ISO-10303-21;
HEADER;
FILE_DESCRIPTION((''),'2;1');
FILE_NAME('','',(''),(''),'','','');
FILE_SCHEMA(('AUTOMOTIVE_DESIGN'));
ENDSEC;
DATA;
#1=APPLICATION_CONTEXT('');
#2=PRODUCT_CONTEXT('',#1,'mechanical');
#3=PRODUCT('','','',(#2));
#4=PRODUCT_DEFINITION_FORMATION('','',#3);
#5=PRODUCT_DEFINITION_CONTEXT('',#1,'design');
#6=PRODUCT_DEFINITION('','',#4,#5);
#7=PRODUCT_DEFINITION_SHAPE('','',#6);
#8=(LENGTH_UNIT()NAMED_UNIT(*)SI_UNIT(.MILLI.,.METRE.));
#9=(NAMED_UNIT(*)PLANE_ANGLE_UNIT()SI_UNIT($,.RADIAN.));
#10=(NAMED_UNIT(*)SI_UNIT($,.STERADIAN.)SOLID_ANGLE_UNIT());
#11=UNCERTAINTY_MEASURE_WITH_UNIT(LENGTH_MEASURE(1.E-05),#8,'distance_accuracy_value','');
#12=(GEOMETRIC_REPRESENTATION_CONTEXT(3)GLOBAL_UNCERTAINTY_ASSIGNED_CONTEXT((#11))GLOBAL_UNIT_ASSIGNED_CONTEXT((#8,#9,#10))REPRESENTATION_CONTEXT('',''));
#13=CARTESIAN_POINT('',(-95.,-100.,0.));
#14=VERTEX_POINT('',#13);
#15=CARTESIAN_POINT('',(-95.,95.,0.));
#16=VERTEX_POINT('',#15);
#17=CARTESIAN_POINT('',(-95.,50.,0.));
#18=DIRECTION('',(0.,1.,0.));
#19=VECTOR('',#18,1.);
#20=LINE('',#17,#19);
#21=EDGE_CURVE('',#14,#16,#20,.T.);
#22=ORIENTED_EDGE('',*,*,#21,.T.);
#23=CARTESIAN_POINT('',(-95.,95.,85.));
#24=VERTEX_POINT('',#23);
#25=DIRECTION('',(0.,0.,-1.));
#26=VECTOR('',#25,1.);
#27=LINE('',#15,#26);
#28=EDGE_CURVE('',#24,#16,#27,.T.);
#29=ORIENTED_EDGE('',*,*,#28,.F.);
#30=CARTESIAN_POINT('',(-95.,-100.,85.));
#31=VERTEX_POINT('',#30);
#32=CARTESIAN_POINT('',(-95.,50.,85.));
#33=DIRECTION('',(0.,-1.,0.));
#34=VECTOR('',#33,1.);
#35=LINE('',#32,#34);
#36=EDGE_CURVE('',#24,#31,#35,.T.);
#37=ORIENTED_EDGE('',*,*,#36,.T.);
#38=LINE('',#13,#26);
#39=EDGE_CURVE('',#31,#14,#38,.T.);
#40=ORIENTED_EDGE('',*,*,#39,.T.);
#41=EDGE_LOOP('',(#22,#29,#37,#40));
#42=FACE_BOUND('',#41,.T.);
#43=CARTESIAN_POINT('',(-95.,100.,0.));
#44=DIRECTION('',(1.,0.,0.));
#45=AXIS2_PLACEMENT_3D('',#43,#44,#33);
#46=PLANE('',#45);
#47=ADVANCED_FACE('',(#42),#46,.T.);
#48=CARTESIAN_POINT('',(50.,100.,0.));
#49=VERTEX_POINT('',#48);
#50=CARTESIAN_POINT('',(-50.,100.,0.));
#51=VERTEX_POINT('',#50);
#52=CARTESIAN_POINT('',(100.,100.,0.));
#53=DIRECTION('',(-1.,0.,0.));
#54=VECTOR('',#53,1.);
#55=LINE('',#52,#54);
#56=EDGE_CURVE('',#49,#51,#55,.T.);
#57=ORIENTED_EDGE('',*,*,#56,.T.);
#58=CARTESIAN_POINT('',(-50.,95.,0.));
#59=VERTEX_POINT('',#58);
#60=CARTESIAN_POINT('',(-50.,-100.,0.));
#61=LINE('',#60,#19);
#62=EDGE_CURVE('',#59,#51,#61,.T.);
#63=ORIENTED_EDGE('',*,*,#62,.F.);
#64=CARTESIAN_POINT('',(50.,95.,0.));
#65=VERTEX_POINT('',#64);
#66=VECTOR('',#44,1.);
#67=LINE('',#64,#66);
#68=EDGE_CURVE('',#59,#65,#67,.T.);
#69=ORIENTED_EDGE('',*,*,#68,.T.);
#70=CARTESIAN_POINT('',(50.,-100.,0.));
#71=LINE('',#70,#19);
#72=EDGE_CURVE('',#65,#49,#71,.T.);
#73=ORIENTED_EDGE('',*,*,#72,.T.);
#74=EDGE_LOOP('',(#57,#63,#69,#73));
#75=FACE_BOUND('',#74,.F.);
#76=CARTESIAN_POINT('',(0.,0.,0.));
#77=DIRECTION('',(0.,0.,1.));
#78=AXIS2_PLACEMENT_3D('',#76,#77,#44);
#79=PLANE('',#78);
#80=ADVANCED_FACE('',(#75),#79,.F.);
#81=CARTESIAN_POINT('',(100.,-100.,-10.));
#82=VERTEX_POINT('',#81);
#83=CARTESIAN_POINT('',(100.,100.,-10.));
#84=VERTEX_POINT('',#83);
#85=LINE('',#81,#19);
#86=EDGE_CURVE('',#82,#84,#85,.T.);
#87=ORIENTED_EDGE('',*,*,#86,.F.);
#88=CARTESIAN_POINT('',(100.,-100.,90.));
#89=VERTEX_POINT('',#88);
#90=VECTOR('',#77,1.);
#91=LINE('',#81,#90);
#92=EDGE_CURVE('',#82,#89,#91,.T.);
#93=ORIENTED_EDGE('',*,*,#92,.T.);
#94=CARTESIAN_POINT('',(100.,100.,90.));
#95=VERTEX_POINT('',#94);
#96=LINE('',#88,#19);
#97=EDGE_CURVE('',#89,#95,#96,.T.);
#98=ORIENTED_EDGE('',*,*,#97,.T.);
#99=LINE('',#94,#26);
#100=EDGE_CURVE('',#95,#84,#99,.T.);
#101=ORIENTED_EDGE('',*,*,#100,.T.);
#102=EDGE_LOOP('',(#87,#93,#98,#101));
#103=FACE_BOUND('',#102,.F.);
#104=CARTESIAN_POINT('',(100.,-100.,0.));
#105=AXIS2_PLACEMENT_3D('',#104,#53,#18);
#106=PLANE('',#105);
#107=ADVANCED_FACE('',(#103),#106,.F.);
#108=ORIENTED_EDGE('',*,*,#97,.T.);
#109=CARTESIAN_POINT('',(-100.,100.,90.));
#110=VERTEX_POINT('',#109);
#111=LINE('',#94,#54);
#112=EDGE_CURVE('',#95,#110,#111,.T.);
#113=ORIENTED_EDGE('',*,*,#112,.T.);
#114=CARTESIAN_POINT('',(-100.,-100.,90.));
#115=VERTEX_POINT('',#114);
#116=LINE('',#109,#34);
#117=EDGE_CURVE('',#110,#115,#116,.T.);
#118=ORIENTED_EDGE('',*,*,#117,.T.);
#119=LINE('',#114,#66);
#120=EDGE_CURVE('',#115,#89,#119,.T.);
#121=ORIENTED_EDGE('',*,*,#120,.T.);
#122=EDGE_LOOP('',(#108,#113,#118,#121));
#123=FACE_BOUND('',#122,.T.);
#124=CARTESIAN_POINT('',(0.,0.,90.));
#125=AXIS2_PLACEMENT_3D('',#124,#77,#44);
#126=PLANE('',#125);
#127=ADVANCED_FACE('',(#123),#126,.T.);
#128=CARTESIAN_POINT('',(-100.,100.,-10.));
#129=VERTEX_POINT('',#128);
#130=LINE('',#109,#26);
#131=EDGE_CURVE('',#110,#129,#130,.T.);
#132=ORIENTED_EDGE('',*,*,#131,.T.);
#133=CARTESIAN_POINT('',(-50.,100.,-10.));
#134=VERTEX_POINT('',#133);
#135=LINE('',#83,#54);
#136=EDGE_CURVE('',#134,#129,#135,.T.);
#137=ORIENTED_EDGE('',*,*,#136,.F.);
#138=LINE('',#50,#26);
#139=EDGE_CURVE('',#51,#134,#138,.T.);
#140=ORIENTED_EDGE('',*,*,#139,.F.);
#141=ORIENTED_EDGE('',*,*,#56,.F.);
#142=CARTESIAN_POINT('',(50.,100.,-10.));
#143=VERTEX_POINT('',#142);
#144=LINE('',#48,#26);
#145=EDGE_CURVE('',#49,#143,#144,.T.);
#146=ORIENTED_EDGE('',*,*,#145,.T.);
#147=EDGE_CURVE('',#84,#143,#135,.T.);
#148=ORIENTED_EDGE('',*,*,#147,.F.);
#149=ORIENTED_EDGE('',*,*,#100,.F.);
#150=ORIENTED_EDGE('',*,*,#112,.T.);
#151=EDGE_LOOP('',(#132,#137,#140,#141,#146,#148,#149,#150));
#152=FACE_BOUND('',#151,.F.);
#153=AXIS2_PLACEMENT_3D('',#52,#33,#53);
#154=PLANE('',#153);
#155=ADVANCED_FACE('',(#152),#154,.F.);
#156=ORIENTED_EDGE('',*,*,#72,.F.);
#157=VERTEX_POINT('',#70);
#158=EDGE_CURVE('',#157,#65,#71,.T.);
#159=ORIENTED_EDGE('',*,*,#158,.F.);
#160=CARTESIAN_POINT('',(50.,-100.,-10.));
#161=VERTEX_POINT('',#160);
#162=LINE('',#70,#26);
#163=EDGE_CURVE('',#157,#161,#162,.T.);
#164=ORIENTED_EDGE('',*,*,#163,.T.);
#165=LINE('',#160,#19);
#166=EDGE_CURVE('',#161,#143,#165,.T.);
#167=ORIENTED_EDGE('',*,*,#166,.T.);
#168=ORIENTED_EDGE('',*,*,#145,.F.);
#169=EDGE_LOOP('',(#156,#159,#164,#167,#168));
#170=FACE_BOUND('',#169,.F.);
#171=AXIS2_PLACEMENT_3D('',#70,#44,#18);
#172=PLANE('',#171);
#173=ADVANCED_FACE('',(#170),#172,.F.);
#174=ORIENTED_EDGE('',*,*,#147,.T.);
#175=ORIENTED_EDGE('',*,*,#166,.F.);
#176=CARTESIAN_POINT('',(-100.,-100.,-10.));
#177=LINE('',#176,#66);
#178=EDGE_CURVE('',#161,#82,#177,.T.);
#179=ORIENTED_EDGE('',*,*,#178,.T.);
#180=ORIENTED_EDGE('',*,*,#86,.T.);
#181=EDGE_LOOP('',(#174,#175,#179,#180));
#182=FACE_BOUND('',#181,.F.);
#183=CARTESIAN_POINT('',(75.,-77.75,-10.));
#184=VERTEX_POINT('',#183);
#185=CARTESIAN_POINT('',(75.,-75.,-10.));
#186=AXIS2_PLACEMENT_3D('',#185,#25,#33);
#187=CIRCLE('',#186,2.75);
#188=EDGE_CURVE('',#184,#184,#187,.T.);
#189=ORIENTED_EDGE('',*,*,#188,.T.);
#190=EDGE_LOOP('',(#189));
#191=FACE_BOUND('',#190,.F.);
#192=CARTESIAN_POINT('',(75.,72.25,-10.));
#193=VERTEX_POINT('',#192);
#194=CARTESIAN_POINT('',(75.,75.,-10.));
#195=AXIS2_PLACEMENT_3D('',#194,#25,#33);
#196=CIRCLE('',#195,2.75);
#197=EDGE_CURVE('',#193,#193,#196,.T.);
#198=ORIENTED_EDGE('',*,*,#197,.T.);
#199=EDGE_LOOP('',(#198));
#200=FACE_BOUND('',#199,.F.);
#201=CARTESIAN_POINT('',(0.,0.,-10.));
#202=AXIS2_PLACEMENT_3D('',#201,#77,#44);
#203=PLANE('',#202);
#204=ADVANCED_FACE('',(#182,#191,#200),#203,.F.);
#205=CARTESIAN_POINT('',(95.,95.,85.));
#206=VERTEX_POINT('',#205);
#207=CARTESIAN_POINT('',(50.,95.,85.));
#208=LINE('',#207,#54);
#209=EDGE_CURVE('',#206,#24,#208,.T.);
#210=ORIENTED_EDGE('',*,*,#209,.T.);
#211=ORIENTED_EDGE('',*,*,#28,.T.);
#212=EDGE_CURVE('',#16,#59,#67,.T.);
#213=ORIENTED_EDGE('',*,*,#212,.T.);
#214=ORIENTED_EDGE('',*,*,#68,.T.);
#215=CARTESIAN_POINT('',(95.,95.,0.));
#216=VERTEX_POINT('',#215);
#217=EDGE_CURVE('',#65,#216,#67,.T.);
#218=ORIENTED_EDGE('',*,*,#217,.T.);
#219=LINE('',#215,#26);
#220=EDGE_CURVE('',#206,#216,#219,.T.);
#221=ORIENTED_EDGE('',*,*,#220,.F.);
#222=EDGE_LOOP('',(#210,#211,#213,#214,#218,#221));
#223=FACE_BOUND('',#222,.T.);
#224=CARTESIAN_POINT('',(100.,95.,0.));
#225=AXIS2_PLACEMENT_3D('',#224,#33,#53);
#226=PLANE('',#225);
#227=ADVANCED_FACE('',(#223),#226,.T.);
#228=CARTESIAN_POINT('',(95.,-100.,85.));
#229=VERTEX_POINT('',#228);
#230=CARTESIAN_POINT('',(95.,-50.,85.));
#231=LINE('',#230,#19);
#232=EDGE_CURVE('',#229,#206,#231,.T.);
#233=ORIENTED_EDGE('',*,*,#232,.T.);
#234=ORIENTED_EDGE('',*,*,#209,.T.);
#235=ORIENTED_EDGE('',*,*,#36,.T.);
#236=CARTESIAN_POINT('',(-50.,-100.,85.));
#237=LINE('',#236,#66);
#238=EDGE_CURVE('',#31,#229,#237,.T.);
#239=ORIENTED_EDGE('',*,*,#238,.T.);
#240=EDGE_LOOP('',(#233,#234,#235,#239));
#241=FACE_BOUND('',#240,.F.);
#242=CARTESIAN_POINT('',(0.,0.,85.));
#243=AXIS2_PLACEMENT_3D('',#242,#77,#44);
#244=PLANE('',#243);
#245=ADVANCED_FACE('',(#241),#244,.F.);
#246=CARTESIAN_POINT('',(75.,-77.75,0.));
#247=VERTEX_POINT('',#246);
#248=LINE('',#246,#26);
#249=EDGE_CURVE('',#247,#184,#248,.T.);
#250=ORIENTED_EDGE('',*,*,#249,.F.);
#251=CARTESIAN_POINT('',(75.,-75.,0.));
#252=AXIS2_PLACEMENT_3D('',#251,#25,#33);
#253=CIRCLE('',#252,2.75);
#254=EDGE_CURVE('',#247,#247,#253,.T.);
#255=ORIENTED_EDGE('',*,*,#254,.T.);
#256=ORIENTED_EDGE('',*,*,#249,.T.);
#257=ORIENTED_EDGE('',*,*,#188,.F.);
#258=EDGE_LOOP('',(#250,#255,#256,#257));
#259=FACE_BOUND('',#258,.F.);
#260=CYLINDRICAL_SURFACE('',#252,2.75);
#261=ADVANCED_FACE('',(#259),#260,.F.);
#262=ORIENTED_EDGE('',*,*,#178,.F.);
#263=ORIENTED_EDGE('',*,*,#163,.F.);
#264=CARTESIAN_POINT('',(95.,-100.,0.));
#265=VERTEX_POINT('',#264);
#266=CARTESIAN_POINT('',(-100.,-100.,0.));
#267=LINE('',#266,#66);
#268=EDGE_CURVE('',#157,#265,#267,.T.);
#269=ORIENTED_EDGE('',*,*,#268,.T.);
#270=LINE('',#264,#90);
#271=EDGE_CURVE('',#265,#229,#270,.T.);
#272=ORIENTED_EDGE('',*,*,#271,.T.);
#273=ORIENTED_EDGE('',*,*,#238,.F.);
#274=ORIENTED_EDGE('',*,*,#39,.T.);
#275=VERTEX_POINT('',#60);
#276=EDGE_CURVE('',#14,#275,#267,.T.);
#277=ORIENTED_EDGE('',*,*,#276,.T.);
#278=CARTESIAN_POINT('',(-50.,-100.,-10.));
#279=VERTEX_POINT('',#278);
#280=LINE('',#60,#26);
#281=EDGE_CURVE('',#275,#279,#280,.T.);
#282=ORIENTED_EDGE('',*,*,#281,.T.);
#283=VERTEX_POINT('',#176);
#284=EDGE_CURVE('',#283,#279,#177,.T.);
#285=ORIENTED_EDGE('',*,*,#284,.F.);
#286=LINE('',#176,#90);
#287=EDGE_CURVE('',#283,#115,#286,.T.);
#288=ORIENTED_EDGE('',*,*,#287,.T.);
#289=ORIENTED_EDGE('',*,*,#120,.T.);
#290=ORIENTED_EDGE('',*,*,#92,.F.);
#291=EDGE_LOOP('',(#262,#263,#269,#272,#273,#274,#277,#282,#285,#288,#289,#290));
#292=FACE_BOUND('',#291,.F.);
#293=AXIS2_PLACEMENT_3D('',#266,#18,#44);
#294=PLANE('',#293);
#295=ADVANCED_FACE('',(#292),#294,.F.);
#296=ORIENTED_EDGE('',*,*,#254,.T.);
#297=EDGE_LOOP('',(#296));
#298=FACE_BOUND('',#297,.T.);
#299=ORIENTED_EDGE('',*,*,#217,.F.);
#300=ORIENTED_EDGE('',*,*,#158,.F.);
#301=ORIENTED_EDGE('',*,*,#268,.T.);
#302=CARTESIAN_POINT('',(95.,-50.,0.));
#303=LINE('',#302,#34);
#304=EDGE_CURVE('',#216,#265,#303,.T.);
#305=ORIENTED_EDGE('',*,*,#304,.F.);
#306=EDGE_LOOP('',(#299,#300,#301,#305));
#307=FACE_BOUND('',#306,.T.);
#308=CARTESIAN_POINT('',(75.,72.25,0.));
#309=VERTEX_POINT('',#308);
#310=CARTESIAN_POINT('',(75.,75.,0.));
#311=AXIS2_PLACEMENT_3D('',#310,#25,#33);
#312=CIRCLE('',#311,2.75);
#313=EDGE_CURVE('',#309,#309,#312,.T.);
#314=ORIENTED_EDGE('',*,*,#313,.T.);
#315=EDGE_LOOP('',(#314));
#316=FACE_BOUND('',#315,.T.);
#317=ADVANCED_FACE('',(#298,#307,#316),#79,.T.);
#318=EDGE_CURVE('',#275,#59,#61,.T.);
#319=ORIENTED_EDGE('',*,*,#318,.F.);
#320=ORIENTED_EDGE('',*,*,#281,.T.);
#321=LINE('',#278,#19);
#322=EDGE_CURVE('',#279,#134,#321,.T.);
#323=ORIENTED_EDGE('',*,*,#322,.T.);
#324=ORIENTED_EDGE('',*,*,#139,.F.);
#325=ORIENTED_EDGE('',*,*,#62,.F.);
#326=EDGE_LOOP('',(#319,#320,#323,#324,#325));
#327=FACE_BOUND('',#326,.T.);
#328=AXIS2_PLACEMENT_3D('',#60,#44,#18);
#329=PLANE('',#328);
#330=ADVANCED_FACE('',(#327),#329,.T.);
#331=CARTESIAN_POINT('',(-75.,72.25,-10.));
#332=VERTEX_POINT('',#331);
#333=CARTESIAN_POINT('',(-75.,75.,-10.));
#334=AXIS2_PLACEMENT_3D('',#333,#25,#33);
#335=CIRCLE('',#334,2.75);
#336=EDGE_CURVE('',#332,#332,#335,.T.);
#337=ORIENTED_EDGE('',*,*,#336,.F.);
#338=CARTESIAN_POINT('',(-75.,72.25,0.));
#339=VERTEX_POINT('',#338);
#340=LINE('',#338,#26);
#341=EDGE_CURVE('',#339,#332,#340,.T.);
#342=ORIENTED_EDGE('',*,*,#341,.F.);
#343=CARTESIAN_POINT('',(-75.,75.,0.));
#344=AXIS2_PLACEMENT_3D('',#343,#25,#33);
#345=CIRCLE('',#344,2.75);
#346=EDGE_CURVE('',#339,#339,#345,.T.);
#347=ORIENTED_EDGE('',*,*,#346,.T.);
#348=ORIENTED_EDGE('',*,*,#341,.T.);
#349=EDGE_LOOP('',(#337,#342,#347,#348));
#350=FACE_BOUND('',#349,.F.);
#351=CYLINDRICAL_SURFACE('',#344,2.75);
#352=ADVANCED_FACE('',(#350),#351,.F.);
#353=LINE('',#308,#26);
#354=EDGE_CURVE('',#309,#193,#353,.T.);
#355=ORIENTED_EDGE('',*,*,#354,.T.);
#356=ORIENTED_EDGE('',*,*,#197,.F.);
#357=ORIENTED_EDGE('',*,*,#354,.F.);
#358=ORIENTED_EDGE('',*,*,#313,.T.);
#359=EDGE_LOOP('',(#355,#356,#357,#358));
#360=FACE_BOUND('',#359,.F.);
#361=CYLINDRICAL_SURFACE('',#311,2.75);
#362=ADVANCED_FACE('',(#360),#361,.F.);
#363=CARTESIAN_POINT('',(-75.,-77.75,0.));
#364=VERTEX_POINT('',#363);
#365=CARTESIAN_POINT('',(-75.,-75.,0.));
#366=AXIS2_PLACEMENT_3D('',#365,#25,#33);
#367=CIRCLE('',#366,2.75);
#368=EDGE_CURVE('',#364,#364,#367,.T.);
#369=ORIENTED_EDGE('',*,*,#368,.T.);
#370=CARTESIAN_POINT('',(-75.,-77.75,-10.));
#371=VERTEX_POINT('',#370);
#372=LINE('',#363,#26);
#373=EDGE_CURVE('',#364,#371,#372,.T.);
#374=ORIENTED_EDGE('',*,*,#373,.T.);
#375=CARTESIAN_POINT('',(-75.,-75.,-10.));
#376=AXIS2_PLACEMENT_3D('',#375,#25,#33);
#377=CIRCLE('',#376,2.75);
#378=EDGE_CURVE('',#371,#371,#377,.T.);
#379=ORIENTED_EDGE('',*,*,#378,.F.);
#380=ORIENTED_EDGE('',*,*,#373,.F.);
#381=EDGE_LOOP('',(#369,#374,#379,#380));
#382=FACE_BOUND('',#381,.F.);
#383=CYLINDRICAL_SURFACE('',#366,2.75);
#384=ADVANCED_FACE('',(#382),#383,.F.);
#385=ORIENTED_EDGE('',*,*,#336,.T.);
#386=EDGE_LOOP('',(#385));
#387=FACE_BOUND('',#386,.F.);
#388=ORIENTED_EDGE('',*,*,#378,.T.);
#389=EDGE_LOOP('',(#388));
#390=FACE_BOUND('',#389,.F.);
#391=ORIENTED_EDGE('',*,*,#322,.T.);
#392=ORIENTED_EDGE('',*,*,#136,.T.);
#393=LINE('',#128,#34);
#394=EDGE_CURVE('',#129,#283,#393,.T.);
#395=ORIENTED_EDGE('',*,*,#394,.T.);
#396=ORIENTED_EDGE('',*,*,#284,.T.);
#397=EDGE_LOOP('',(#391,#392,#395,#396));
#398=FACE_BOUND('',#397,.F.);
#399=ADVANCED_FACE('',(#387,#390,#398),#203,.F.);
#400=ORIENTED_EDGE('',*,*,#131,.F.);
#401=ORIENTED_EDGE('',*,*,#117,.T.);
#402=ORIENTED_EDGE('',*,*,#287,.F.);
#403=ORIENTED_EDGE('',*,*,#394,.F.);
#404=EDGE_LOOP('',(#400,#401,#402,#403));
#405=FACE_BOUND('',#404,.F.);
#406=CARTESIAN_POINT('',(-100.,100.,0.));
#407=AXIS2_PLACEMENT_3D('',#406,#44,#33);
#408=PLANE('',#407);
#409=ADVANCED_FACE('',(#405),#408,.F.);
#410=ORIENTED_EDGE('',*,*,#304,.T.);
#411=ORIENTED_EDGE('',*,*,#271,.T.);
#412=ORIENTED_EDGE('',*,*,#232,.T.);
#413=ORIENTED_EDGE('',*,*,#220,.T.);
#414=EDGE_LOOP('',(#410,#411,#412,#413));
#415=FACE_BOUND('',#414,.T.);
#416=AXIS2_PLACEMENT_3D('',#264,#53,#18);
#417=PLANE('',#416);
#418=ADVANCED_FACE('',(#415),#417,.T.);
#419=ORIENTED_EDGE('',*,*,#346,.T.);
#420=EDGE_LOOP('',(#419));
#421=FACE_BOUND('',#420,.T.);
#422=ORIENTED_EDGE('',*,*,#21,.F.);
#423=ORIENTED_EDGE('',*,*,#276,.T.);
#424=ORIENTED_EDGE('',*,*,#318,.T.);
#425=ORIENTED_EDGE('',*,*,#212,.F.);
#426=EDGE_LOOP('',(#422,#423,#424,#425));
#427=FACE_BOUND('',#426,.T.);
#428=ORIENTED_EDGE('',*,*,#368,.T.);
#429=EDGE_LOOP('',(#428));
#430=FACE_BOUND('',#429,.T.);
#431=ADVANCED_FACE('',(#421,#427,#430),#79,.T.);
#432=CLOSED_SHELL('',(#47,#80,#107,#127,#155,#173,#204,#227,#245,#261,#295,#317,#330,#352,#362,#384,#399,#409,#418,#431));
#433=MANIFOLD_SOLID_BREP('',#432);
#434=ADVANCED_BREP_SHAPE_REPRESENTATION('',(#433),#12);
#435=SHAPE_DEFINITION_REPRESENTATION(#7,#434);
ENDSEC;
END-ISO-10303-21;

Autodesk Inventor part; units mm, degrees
ref_plane "YZ Plane" through (0, 0, 0) normal (1, 0, 0) x (0, 1, 0)
ref_plane "XZ Plane" through (0, 0, 0) normal (0, 1, 0) x (-1, 0, 0)
ref_plane "XY Plane" through (0, 0, 0) normal (0, 0, 1) x (1, 0, 0)
sketch "Sketch3" plane through (0, 0, 0) normal (0, 0, 1) x (1, 0, 0)
  line L0 (-100, -100) -> (100, -100)
  line L1 (100, -100) -> (100, 100)
  line L2 (100, 100) -> (-100, 100)
  line L3 (-100, 100) -> (-100, -100)
  line L4 (-100, -100) -> (100, 100) construction
  line L5 (100, -100) -> (-100, 100) construction
  point P0 (0, 0)
  dimension "d8" = 200
  dimension "d9" = 200
extrude "Extrusion2" add sketch "Sketch3" along normal blind 90
shell "Shell2" thickness 5 removed faces 2 at (-33.3333, -100, 30) at (-33.3333, -33.3333, 0)
sketch "Sketch4" plane through (0, 0, 0) normal (0, 0, 1) x (1, 0, 0)
  line L0 (100, -100) -> (100, 100) construction
  line L1 (100, 100) -> (-100, 100) construction
  line L2 (-100, 100) -> (-100, -100) construction
  line L3 (-100, -100) -> (100, -100) construction
  line L4 (-100, 100) -> (100, 100)
  line L5 (100, 100) -> (100, -100)
  line L6 (-100, -100) -> (-100, 100)
  line L7 (0, -140) -> (0, 140) projected
  point P0 (0, 0)
  point P1 (-75, -75)
  point P2 (75, -75)
  point P3 (-75, 75)
  point P4 (75, 75)
  dimension "d13" = 150
  dimension "d14" = 25
  dimension "d15" = 150
sketch "Sketch5" plane through (0, 0, 0) normal (0, 0, 1) x (1, 0, 0)
  line L0 (-100, 100) -> (-100, -100) projected
  line L1 (100, 100) -> (-100, 100)
  line L2 (-100, 100) -> (-100, -100)
  line L3 (100, -100) -> (100, 100)
  line L4 (-100, -100) -> (100, -100) projected
  line L5 (100, -100) -> (50, -100)
  line L6 (50, -100) -> (50, 100)
  line L7 (-50, -100) -> (-50, 100)
  point P0 (0, 0)
  dimension "d16" = 50
  dimension "d17" = 50
extrude "Extrusion3" add sketch "Sketch5" against normal blind 10 contours L1 L7 L4 L0 | L1 L3 L4 L6
hole "Hole1" at (-75, -75, 0) at (75, -75, 0) at (-75, 75, 0) at (75, 75, 0) direction (0, 0, -1) diameter 5.5 end through all clearance for "Countersunk Flat Head Screw ISO 2009/7046" size "M5" standard "ISO"
equation "\"d17\" = d16"
properties part number "KN-00-00-01" material "PET Plastic"
